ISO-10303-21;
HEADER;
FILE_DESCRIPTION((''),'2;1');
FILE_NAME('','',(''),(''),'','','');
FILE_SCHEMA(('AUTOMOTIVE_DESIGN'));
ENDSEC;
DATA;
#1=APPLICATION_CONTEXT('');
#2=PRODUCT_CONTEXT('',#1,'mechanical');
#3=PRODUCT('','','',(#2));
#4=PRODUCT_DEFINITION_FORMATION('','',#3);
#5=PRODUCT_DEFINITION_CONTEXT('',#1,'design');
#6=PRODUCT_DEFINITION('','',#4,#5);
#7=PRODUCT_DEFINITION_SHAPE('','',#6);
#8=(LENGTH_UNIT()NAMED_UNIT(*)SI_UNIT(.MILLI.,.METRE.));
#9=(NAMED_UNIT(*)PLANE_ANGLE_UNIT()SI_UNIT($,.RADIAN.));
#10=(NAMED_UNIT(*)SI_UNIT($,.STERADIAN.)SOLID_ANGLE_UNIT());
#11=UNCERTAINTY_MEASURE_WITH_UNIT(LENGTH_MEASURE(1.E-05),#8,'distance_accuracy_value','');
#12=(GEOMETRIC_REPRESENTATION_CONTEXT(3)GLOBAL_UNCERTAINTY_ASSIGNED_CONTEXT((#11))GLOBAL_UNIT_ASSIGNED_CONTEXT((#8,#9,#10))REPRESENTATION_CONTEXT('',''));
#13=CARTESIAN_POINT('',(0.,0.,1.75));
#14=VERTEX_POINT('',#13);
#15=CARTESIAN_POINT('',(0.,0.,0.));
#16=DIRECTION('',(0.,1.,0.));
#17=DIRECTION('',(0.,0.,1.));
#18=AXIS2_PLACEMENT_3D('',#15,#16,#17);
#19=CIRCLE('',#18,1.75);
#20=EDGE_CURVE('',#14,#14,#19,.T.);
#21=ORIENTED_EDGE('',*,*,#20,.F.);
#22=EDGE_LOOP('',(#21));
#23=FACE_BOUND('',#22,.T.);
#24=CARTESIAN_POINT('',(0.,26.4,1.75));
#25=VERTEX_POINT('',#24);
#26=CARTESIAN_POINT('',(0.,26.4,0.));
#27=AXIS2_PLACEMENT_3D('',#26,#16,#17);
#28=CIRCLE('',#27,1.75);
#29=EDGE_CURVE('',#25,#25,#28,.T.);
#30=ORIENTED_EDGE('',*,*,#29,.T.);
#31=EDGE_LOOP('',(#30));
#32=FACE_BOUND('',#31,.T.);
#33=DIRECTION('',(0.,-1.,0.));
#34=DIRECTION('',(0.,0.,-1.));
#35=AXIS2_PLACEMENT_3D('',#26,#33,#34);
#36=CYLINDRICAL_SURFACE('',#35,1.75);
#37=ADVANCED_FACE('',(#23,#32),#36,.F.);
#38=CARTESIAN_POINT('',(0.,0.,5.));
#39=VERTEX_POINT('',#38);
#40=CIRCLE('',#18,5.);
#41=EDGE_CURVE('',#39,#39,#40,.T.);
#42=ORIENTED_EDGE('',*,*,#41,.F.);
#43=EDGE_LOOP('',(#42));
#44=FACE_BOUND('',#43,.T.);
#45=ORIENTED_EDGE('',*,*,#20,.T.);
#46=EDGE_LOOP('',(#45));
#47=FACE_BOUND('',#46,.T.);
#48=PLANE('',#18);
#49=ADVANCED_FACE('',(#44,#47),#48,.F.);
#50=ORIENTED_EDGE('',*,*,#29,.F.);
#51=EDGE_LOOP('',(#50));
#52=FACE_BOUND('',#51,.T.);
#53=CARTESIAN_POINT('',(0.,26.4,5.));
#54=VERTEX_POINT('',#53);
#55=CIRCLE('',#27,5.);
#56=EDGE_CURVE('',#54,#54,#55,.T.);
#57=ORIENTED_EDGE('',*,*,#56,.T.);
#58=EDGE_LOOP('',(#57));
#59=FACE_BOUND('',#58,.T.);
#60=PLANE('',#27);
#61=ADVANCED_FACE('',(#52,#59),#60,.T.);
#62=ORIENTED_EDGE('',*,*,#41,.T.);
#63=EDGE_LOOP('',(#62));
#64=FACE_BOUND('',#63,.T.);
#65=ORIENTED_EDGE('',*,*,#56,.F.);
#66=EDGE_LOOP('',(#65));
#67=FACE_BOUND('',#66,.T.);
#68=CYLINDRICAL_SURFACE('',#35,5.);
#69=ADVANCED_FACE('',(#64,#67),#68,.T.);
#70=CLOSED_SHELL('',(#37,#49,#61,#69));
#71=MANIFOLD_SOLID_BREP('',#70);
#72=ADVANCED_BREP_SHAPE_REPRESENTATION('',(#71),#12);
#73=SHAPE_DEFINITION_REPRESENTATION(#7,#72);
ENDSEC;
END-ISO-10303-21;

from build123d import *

# Parameters (mm, degrees)
SKETCH1_R           = 5
SKETCH1_R_2         = 1.75
BOSS_EXTRUDE1_DEPTH = 26.4


with BuildPart() as part:
    # Sketch1 → Boss-Extrude1 (new body)
    with BuildSketch(Plane(origin=(0, 0, 0), x_dir=(1, 0, 0), z_dir=(0, 1, 0))):
        with Locations(Location((0, 0, 0), (0, 0, 270))):
            Circle(SKETCH1_R)
        with Locations(Location((0, 0, 0), (0, 0, 270))):
            Circle(SKETCH1_R_2, mode=Mode.SUBTRACT)
    extrude(amount=BOSS_EXTRUDE1_DEPTH)


solid = part.part
